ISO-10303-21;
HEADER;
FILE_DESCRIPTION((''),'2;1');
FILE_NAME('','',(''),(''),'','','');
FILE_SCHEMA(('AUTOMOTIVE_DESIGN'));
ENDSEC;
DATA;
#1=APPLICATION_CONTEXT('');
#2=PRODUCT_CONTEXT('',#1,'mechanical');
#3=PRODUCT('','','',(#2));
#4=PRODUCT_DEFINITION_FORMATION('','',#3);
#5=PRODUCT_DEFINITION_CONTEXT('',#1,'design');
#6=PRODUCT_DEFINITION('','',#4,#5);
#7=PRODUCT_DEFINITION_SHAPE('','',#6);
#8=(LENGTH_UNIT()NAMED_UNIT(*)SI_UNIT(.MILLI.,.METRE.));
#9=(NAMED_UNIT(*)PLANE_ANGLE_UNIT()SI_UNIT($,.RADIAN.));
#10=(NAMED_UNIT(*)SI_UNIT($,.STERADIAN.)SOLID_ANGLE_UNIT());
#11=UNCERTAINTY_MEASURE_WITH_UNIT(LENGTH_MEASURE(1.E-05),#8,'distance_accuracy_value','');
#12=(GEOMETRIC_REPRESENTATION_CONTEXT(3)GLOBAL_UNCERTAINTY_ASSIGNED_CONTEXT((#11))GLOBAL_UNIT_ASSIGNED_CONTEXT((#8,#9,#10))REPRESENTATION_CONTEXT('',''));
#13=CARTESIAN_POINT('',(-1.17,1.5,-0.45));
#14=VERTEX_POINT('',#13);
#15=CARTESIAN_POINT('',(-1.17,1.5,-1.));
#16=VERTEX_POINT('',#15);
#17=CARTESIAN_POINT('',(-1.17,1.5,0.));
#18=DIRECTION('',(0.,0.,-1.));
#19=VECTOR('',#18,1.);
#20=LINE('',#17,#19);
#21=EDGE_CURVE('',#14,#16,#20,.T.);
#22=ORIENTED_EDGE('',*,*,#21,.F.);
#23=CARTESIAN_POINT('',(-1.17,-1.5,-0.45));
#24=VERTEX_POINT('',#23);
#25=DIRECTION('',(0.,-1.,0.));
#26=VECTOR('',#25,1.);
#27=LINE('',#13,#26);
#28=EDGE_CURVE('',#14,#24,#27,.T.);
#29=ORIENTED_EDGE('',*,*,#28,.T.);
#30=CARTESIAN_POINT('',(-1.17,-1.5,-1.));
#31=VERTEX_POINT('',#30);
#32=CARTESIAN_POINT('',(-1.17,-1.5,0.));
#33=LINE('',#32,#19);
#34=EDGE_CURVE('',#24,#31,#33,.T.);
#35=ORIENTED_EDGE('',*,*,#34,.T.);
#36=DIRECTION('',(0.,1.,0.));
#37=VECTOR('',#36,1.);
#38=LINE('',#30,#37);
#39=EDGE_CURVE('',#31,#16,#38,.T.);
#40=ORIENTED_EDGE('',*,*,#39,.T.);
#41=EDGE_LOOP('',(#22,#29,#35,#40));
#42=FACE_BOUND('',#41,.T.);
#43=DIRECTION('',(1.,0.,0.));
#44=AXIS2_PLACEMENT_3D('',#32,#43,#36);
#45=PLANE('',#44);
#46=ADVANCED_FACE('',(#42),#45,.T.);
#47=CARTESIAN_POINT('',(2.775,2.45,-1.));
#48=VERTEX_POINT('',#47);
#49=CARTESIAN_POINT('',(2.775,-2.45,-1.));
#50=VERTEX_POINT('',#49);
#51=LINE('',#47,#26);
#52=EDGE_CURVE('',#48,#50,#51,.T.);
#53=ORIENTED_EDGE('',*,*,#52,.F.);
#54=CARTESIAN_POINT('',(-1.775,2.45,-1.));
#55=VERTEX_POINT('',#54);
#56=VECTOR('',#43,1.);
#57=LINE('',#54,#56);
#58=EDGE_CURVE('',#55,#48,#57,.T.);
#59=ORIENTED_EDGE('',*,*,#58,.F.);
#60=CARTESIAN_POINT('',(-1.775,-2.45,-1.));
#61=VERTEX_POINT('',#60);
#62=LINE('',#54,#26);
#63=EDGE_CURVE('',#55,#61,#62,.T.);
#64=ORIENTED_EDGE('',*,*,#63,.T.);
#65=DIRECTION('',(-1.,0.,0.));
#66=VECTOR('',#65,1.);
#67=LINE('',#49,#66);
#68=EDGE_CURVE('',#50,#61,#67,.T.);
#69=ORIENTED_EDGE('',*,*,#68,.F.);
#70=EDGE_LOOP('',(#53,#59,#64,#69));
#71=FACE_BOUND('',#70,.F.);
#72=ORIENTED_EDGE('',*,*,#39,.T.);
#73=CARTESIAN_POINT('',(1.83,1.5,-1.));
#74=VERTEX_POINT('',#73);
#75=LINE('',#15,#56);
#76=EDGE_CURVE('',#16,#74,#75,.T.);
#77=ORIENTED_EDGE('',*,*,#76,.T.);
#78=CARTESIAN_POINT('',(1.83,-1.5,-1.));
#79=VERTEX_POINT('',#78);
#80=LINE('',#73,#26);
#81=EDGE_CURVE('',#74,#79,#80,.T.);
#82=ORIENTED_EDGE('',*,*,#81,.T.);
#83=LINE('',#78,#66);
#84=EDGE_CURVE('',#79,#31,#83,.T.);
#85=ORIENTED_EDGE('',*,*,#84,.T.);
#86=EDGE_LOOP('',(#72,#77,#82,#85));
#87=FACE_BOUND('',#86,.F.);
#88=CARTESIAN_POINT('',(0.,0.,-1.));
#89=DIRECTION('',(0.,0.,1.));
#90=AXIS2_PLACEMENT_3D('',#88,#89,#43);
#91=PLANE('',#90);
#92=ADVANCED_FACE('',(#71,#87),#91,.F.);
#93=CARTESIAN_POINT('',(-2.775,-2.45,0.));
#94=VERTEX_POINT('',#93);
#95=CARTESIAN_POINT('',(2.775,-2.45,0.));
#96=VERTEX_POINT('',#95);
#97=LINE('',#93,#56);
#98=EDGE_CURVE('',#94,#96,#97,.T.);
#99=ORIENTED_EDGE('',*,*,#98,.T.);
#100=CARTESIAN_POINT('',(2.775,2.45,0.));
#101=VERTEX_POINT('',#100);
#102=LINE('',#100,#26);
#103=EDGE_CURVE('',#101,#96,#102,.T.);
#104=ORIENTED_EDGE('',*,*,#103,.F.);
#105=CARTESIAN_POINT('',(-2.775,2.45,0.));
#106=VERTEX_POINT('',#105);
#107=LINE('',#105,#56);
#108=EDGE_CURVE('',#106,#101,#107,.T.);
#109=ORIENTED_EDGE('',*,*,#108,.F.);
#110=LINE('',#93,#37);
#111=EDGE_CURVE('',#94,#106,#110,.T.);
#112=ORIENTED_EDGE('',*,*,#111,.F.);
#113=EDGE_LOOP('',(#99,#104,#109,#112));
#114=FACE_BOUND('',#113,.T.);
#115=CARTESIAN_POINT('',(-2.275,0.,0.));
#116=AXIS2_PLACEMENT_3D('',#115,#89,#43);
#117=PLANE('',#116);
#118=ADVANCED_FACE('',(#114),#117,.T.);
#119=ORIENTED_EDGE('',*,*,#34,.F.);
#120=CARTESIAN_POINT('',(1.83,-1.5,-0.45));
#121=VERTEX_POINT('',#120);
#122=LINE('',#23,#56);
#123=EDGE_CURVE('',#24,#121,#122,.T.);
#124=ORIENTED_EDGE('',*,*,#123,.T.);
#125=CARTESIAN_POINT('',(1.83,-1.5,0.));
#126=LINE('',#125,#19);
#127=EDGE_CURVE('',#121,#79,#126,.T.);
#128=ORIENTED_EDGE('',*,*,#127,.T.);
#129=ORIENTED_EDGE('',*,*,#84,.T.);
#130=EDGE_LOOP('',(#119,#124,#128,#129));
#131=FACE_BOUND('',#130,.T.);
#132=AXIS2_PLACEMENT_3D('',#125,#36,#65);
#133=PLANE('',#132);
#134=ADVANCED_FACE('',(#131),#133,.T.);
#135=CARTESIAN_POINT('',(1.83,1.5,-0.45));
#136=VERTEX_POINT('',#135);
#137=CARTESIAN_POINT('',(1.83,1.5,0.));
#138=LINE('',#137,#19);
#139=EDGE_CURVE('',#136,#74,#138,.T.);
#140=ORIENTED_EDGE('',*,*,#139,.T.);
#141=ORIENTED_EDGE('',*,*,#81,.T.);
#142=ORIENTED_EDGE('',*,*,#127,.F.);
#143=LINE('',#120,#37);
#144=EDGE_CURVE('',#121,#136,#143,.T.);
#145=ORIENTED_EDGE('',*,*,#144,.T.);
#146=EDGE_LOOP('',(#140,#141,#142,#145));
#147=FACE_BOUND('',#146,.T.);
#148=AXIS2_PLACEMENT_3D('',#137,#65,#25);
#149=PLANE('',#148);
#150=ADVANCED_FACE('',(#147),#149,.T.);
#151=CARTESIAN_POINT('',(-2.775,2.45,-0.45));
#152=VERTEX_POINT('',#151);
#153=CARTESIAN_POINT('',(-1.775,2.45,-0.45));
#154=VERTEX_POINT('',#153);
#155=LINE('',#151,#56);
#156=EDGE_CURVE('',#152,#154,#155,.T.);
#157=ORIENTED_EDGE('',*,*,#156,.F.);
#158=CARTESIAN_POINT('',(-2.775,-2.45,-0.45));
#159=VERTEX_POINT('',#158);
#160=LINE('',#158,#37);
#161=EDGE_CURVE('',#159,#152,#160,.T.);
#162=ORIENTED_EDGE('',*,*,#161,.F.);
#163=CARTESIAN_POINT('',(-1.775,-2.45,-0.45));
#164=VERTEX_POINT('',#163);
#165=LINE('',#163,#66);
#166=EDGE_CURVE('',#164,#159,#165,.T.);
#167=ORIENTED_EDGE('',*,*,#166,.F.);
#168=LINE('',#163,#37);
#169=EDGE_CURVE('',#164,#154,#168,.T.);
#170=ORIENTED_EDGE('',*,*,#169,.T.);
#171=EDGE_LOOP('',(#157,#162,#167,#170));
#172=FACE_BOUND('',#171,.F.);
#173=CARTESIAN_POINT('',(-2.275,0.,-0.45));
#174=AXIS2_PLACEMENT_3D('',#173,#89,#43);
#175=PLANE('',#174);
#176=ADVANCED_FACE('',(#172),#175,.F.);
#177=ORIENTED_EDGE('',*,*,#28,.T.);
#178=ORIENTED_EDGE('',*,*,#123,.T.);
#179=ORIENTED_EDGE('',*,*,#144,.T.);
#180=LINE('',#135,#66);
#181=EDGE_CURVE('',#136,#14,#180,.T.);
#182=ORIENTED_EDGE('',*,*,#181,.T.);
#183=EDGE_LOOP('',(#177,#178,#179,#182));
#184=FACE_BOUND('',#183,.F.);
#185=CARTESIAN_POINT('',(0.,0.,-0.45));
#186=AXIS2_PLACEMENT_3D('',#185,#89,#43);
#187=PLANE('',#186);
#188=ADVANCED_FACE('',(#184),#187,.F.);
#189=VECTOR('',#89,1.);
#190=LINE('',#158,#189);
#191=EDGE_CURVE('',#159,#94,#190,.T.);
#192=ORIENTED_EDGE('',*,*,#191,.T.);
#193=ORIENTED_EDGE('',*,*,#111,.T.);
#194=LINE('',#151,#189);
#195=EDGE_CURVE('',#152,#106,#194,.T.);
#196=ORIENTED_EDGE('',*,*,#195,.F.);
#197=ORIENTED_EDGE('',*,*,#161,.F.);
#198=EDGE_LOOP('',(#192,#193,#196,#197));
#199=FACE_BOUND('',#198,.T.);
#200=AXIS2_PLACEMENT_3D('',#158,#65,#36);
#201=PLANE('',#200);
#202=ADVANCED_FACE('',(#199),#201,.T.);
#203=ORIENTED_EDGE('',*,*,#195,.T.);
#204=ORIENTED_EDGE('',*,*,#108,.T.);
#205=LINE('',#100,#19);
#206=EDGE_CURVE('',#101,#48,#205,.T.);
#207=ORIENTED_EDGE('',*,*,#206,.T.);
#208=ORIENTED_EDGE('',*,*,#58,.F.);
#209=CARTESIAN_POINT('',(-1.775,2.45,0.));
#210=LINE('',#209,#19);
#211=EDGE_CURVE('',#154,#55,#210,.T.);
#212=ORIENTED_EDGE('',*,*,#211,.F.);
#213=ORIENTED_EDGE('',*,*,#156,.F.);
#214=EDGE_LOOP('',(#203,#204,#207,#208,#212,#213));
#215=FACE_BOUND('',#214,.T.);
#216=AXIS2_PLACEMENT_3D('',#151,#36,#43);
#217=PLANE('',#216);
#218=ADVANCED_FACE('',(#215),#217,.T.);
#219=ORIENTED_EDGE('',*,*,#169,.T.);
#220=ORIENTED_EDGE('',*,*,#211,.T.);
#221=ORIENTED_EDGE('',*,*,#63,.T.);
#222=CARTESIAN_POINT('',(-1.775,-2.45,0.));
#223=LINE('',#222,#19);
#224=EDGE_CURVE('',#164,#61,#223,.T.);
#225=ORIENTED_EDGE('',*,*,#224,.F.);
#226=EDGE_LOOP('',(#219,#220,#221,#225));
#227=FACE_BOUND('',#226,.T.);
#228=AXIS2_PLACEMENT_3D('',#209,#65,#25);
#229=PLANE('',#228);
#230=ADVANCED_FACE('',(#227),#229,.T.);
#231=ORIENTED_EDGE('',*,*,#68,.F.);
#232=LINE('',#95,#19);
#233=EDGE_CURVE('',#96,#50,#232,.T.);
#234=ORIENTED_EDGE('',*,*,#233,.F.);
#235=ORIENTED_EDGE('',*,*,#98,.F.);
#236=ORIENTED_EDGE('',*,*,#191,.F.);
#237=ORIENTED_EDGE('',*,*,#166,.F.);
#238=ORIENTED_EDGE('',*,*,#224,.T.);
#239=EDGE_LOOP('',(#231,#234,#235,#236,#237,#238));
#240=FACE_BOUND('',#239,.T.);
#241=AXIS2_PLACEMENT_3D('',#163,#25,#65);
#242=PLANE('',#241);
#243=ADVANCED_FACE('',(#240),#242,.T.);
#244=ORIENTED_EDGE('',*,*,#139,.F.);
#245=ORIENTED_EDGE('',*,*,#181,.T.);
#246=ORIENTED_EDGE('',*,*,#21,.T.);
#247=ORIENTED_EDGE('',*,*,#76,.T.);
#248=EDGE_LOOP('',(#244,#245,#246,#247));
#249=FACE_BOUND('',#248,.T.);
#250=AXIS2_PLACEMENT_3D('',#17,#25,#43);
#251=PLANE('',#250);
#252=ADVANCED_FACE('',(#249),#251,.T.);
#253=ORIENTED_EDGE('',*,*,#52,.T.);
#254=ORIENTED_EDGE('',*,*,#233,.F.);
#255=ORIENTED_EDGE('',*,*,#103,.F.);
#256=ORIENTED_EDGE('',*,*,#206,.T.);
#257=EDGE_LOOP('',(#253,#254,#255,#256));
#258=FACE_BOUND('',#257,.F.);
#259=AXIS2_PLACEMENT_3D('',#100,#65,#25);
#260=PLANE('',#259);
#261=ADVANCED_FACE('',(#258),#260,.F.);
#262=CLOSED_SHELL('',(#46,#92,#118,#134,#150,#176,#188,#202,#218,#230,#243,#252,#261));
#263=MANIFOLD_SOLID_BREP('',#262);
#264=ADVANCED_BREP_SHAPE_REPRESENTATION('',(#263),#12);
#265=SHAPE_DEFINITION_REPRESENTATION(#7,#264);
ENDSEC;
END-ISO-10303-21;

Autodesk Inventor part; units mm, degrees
ref_plane "YZ Plane" through (0, 0, 0) normal (1, 0, 0) x (0, 1, 0)
ref_plane "XZ Plane" through (0, 0, 0) normal (0, 1, 0) x (-1, 0, 0)
sketch "Sketch1" plane through (0, 0, 0) normal (0, 0, 1) x (1, 0, 0)
  line L0 (-1.775, 2.45) -> (-1.775, -2.45) projected
  line L1 (2.775, -2.45) -> (-1.775, -2.45) projected
  line L2 (2.775, 2.45) -> (2.775, -2.45) projected
  line L3 (-1.775, 2.45) -> (2.775, 2.45) projected
  line L4 (1.83, 1.5) -> (1.83, -1.5) projected
  line L5 (1.83, -1.5) -> (-1.17, -1.5) projected
  line L6 (-1.17, -1.5) -> (-1.17, 1.5) projected
  line L7 (-1.17, 1.5) -> (1.83, 1.5) projected
  point P0 (0, 0)
extrude "Extrusion1" add sketch "Sketch1" against normal blind 1
sketch "Sketch2" plane through (0, 0, 0) normal (0, 0, 1) x (1, 0, 0)
  line L0 (1.83, 1.5) -> (-1.17, 1.5) projected
  line L1 (-1.17, 1.5) -> (-1.17, -1.5) projected
  line L2 (-1.17, -1.5) -> (1.83, -1.5) projected
  line L3 (1.83, -1.5) -> (1.83, 1.5) projected
  point P0 (0, 0)
extrude "Extrusion2" add sketch "Sketch2" against normal blind 0.45
ref_plane "Work Plane1" through (-2.275, 0, -0.45) normal (0, 0, 1) x (1, 0, 0)
sketch "Sketch3" plane through (-2.275, 0, -0.45) normal (0, 0, 1) x (1, 0, 0)
  line L0 (-0.5, 2.45) -> (0.5, 2.45) projected
  line L1 (-0.5, -2.45) -> (-0.5, 2.45) projected
  line L2 (0.5, -2.45) -> (-0.5, -2.45) projected
  line L3 (0.5, -2.45) -> (0.5, 2.45) projected
  point P0 (2.275, 0)
extrude "Extrusion3" add sketch "Sketch3" along normal blind 0.45
properties part number "mppcLens" material "Glass"
